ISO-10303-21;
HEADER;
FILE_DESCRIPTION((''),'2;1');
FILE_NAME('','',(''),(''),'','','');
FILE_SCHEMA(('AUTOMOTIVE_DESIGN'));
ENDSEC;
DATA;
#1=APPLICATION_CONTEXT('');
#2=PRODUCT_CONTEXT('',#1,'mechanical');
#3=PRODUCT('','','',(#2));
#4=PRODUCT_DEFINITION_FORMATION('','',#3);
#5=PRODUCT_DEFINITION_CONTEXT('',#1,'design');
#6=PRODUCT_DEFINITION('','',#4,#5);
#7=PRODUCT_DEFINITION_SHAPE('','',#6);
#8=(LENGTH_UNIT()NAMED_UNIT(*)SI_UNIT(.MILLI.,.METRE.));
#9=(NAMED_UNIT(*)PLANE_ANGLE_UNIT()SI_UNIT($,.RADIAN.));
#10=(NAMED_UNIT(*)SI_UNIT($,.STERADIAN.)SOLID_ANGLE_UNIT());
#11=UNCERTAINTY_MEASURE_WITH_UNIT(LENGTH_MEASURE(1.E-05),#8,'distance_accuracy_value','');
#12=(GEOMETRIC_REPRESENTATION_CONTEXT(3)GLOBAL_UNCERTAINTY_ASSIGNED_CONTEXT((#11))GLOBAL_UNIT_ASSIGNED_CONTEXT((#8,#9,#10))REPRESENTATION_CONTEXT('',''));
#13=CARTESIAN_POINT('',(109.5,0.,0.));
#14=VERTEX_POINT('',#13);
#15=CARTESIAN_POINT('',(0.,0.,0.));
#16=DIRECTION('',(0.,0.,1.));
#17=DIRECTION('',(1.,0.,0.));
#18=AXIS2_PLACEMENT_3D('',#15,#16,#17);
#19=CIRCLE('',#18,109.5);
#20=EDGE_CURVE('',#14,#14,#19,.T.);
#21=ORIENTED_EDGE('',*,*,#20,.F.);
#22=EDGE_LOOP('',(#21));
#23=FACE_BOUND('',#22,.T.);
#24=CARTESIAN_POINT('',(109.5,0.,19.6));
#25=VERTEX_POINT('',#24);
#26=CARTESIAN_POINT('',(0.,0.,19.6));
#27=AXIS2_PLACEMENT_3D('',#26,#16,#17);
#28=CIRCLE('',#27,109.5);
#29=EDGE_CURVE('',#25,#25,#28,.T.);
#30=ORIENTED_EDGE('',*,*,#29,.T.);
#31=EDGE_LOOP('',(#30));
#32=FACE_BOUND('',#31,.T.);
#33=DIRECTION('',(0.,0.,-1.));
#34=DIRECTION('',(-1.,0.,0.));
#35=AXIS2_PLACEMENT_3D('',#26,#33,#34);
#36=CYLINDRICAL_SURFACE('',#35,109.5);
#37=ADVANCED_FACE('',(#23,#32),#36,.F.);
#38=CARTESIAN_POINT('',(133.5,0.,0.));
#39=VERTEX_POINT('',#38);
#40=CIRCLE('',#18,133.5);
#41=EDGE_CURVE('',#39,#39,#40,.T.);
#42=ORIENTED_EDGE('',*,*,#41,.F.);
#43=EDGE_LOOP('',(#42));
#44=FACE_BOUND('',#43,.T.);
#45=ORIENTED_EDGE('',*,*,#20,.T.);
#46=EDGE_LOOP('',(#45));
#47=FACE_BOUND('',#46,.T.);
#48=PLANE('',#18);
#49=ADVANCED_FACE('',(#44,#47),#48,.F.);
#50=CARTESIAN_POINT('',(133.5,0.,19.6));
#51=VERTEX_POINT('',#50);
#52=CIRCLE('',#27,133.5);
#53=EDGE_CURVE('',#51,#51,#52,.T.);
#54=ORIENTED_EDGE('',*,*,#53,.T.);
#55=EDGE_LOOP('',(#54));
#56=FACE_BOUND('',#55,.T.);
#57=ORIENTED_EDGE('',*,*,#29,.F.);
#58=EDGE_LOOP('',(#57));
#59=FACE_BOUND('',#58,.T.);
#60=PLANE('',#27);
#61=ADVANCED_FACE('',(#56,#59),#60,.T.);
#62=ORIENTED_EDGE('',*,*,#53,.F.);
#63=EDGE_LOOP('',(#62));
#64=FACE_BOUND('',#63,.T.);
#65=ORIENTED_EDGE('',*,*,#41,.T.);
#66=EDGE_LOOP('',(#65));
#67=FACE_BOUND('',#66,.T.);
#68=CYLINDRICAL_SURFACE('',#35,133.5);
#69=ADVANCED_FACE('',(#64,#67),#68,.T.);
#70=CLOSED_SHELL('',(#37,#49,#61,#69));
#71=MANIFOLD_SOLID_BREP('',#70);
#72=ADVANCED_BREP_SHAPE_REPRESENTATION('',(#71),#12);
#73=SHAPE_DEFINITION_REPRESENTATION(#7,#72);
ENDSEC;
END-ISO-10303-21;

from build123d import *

# Parameters (mm, degrees)
SKETCH1_R           = 133.5
SKETCH1_R_2         = 109.5
BOSS_EXTRUDE1_DEPTH = 19.6


with BuildPart() as part:
    # Sketch1 → Boss-Extrude1 (new body)
    with BuildSketch(Plane.XY):
        Circle(SKETCH1_R)
        Circle(SKETCH1_R_2, mode=Mode.SUBTRACT)
    extrude(amount=BOSS_EXTRUDE1_DEPTH)


solid = part.part
